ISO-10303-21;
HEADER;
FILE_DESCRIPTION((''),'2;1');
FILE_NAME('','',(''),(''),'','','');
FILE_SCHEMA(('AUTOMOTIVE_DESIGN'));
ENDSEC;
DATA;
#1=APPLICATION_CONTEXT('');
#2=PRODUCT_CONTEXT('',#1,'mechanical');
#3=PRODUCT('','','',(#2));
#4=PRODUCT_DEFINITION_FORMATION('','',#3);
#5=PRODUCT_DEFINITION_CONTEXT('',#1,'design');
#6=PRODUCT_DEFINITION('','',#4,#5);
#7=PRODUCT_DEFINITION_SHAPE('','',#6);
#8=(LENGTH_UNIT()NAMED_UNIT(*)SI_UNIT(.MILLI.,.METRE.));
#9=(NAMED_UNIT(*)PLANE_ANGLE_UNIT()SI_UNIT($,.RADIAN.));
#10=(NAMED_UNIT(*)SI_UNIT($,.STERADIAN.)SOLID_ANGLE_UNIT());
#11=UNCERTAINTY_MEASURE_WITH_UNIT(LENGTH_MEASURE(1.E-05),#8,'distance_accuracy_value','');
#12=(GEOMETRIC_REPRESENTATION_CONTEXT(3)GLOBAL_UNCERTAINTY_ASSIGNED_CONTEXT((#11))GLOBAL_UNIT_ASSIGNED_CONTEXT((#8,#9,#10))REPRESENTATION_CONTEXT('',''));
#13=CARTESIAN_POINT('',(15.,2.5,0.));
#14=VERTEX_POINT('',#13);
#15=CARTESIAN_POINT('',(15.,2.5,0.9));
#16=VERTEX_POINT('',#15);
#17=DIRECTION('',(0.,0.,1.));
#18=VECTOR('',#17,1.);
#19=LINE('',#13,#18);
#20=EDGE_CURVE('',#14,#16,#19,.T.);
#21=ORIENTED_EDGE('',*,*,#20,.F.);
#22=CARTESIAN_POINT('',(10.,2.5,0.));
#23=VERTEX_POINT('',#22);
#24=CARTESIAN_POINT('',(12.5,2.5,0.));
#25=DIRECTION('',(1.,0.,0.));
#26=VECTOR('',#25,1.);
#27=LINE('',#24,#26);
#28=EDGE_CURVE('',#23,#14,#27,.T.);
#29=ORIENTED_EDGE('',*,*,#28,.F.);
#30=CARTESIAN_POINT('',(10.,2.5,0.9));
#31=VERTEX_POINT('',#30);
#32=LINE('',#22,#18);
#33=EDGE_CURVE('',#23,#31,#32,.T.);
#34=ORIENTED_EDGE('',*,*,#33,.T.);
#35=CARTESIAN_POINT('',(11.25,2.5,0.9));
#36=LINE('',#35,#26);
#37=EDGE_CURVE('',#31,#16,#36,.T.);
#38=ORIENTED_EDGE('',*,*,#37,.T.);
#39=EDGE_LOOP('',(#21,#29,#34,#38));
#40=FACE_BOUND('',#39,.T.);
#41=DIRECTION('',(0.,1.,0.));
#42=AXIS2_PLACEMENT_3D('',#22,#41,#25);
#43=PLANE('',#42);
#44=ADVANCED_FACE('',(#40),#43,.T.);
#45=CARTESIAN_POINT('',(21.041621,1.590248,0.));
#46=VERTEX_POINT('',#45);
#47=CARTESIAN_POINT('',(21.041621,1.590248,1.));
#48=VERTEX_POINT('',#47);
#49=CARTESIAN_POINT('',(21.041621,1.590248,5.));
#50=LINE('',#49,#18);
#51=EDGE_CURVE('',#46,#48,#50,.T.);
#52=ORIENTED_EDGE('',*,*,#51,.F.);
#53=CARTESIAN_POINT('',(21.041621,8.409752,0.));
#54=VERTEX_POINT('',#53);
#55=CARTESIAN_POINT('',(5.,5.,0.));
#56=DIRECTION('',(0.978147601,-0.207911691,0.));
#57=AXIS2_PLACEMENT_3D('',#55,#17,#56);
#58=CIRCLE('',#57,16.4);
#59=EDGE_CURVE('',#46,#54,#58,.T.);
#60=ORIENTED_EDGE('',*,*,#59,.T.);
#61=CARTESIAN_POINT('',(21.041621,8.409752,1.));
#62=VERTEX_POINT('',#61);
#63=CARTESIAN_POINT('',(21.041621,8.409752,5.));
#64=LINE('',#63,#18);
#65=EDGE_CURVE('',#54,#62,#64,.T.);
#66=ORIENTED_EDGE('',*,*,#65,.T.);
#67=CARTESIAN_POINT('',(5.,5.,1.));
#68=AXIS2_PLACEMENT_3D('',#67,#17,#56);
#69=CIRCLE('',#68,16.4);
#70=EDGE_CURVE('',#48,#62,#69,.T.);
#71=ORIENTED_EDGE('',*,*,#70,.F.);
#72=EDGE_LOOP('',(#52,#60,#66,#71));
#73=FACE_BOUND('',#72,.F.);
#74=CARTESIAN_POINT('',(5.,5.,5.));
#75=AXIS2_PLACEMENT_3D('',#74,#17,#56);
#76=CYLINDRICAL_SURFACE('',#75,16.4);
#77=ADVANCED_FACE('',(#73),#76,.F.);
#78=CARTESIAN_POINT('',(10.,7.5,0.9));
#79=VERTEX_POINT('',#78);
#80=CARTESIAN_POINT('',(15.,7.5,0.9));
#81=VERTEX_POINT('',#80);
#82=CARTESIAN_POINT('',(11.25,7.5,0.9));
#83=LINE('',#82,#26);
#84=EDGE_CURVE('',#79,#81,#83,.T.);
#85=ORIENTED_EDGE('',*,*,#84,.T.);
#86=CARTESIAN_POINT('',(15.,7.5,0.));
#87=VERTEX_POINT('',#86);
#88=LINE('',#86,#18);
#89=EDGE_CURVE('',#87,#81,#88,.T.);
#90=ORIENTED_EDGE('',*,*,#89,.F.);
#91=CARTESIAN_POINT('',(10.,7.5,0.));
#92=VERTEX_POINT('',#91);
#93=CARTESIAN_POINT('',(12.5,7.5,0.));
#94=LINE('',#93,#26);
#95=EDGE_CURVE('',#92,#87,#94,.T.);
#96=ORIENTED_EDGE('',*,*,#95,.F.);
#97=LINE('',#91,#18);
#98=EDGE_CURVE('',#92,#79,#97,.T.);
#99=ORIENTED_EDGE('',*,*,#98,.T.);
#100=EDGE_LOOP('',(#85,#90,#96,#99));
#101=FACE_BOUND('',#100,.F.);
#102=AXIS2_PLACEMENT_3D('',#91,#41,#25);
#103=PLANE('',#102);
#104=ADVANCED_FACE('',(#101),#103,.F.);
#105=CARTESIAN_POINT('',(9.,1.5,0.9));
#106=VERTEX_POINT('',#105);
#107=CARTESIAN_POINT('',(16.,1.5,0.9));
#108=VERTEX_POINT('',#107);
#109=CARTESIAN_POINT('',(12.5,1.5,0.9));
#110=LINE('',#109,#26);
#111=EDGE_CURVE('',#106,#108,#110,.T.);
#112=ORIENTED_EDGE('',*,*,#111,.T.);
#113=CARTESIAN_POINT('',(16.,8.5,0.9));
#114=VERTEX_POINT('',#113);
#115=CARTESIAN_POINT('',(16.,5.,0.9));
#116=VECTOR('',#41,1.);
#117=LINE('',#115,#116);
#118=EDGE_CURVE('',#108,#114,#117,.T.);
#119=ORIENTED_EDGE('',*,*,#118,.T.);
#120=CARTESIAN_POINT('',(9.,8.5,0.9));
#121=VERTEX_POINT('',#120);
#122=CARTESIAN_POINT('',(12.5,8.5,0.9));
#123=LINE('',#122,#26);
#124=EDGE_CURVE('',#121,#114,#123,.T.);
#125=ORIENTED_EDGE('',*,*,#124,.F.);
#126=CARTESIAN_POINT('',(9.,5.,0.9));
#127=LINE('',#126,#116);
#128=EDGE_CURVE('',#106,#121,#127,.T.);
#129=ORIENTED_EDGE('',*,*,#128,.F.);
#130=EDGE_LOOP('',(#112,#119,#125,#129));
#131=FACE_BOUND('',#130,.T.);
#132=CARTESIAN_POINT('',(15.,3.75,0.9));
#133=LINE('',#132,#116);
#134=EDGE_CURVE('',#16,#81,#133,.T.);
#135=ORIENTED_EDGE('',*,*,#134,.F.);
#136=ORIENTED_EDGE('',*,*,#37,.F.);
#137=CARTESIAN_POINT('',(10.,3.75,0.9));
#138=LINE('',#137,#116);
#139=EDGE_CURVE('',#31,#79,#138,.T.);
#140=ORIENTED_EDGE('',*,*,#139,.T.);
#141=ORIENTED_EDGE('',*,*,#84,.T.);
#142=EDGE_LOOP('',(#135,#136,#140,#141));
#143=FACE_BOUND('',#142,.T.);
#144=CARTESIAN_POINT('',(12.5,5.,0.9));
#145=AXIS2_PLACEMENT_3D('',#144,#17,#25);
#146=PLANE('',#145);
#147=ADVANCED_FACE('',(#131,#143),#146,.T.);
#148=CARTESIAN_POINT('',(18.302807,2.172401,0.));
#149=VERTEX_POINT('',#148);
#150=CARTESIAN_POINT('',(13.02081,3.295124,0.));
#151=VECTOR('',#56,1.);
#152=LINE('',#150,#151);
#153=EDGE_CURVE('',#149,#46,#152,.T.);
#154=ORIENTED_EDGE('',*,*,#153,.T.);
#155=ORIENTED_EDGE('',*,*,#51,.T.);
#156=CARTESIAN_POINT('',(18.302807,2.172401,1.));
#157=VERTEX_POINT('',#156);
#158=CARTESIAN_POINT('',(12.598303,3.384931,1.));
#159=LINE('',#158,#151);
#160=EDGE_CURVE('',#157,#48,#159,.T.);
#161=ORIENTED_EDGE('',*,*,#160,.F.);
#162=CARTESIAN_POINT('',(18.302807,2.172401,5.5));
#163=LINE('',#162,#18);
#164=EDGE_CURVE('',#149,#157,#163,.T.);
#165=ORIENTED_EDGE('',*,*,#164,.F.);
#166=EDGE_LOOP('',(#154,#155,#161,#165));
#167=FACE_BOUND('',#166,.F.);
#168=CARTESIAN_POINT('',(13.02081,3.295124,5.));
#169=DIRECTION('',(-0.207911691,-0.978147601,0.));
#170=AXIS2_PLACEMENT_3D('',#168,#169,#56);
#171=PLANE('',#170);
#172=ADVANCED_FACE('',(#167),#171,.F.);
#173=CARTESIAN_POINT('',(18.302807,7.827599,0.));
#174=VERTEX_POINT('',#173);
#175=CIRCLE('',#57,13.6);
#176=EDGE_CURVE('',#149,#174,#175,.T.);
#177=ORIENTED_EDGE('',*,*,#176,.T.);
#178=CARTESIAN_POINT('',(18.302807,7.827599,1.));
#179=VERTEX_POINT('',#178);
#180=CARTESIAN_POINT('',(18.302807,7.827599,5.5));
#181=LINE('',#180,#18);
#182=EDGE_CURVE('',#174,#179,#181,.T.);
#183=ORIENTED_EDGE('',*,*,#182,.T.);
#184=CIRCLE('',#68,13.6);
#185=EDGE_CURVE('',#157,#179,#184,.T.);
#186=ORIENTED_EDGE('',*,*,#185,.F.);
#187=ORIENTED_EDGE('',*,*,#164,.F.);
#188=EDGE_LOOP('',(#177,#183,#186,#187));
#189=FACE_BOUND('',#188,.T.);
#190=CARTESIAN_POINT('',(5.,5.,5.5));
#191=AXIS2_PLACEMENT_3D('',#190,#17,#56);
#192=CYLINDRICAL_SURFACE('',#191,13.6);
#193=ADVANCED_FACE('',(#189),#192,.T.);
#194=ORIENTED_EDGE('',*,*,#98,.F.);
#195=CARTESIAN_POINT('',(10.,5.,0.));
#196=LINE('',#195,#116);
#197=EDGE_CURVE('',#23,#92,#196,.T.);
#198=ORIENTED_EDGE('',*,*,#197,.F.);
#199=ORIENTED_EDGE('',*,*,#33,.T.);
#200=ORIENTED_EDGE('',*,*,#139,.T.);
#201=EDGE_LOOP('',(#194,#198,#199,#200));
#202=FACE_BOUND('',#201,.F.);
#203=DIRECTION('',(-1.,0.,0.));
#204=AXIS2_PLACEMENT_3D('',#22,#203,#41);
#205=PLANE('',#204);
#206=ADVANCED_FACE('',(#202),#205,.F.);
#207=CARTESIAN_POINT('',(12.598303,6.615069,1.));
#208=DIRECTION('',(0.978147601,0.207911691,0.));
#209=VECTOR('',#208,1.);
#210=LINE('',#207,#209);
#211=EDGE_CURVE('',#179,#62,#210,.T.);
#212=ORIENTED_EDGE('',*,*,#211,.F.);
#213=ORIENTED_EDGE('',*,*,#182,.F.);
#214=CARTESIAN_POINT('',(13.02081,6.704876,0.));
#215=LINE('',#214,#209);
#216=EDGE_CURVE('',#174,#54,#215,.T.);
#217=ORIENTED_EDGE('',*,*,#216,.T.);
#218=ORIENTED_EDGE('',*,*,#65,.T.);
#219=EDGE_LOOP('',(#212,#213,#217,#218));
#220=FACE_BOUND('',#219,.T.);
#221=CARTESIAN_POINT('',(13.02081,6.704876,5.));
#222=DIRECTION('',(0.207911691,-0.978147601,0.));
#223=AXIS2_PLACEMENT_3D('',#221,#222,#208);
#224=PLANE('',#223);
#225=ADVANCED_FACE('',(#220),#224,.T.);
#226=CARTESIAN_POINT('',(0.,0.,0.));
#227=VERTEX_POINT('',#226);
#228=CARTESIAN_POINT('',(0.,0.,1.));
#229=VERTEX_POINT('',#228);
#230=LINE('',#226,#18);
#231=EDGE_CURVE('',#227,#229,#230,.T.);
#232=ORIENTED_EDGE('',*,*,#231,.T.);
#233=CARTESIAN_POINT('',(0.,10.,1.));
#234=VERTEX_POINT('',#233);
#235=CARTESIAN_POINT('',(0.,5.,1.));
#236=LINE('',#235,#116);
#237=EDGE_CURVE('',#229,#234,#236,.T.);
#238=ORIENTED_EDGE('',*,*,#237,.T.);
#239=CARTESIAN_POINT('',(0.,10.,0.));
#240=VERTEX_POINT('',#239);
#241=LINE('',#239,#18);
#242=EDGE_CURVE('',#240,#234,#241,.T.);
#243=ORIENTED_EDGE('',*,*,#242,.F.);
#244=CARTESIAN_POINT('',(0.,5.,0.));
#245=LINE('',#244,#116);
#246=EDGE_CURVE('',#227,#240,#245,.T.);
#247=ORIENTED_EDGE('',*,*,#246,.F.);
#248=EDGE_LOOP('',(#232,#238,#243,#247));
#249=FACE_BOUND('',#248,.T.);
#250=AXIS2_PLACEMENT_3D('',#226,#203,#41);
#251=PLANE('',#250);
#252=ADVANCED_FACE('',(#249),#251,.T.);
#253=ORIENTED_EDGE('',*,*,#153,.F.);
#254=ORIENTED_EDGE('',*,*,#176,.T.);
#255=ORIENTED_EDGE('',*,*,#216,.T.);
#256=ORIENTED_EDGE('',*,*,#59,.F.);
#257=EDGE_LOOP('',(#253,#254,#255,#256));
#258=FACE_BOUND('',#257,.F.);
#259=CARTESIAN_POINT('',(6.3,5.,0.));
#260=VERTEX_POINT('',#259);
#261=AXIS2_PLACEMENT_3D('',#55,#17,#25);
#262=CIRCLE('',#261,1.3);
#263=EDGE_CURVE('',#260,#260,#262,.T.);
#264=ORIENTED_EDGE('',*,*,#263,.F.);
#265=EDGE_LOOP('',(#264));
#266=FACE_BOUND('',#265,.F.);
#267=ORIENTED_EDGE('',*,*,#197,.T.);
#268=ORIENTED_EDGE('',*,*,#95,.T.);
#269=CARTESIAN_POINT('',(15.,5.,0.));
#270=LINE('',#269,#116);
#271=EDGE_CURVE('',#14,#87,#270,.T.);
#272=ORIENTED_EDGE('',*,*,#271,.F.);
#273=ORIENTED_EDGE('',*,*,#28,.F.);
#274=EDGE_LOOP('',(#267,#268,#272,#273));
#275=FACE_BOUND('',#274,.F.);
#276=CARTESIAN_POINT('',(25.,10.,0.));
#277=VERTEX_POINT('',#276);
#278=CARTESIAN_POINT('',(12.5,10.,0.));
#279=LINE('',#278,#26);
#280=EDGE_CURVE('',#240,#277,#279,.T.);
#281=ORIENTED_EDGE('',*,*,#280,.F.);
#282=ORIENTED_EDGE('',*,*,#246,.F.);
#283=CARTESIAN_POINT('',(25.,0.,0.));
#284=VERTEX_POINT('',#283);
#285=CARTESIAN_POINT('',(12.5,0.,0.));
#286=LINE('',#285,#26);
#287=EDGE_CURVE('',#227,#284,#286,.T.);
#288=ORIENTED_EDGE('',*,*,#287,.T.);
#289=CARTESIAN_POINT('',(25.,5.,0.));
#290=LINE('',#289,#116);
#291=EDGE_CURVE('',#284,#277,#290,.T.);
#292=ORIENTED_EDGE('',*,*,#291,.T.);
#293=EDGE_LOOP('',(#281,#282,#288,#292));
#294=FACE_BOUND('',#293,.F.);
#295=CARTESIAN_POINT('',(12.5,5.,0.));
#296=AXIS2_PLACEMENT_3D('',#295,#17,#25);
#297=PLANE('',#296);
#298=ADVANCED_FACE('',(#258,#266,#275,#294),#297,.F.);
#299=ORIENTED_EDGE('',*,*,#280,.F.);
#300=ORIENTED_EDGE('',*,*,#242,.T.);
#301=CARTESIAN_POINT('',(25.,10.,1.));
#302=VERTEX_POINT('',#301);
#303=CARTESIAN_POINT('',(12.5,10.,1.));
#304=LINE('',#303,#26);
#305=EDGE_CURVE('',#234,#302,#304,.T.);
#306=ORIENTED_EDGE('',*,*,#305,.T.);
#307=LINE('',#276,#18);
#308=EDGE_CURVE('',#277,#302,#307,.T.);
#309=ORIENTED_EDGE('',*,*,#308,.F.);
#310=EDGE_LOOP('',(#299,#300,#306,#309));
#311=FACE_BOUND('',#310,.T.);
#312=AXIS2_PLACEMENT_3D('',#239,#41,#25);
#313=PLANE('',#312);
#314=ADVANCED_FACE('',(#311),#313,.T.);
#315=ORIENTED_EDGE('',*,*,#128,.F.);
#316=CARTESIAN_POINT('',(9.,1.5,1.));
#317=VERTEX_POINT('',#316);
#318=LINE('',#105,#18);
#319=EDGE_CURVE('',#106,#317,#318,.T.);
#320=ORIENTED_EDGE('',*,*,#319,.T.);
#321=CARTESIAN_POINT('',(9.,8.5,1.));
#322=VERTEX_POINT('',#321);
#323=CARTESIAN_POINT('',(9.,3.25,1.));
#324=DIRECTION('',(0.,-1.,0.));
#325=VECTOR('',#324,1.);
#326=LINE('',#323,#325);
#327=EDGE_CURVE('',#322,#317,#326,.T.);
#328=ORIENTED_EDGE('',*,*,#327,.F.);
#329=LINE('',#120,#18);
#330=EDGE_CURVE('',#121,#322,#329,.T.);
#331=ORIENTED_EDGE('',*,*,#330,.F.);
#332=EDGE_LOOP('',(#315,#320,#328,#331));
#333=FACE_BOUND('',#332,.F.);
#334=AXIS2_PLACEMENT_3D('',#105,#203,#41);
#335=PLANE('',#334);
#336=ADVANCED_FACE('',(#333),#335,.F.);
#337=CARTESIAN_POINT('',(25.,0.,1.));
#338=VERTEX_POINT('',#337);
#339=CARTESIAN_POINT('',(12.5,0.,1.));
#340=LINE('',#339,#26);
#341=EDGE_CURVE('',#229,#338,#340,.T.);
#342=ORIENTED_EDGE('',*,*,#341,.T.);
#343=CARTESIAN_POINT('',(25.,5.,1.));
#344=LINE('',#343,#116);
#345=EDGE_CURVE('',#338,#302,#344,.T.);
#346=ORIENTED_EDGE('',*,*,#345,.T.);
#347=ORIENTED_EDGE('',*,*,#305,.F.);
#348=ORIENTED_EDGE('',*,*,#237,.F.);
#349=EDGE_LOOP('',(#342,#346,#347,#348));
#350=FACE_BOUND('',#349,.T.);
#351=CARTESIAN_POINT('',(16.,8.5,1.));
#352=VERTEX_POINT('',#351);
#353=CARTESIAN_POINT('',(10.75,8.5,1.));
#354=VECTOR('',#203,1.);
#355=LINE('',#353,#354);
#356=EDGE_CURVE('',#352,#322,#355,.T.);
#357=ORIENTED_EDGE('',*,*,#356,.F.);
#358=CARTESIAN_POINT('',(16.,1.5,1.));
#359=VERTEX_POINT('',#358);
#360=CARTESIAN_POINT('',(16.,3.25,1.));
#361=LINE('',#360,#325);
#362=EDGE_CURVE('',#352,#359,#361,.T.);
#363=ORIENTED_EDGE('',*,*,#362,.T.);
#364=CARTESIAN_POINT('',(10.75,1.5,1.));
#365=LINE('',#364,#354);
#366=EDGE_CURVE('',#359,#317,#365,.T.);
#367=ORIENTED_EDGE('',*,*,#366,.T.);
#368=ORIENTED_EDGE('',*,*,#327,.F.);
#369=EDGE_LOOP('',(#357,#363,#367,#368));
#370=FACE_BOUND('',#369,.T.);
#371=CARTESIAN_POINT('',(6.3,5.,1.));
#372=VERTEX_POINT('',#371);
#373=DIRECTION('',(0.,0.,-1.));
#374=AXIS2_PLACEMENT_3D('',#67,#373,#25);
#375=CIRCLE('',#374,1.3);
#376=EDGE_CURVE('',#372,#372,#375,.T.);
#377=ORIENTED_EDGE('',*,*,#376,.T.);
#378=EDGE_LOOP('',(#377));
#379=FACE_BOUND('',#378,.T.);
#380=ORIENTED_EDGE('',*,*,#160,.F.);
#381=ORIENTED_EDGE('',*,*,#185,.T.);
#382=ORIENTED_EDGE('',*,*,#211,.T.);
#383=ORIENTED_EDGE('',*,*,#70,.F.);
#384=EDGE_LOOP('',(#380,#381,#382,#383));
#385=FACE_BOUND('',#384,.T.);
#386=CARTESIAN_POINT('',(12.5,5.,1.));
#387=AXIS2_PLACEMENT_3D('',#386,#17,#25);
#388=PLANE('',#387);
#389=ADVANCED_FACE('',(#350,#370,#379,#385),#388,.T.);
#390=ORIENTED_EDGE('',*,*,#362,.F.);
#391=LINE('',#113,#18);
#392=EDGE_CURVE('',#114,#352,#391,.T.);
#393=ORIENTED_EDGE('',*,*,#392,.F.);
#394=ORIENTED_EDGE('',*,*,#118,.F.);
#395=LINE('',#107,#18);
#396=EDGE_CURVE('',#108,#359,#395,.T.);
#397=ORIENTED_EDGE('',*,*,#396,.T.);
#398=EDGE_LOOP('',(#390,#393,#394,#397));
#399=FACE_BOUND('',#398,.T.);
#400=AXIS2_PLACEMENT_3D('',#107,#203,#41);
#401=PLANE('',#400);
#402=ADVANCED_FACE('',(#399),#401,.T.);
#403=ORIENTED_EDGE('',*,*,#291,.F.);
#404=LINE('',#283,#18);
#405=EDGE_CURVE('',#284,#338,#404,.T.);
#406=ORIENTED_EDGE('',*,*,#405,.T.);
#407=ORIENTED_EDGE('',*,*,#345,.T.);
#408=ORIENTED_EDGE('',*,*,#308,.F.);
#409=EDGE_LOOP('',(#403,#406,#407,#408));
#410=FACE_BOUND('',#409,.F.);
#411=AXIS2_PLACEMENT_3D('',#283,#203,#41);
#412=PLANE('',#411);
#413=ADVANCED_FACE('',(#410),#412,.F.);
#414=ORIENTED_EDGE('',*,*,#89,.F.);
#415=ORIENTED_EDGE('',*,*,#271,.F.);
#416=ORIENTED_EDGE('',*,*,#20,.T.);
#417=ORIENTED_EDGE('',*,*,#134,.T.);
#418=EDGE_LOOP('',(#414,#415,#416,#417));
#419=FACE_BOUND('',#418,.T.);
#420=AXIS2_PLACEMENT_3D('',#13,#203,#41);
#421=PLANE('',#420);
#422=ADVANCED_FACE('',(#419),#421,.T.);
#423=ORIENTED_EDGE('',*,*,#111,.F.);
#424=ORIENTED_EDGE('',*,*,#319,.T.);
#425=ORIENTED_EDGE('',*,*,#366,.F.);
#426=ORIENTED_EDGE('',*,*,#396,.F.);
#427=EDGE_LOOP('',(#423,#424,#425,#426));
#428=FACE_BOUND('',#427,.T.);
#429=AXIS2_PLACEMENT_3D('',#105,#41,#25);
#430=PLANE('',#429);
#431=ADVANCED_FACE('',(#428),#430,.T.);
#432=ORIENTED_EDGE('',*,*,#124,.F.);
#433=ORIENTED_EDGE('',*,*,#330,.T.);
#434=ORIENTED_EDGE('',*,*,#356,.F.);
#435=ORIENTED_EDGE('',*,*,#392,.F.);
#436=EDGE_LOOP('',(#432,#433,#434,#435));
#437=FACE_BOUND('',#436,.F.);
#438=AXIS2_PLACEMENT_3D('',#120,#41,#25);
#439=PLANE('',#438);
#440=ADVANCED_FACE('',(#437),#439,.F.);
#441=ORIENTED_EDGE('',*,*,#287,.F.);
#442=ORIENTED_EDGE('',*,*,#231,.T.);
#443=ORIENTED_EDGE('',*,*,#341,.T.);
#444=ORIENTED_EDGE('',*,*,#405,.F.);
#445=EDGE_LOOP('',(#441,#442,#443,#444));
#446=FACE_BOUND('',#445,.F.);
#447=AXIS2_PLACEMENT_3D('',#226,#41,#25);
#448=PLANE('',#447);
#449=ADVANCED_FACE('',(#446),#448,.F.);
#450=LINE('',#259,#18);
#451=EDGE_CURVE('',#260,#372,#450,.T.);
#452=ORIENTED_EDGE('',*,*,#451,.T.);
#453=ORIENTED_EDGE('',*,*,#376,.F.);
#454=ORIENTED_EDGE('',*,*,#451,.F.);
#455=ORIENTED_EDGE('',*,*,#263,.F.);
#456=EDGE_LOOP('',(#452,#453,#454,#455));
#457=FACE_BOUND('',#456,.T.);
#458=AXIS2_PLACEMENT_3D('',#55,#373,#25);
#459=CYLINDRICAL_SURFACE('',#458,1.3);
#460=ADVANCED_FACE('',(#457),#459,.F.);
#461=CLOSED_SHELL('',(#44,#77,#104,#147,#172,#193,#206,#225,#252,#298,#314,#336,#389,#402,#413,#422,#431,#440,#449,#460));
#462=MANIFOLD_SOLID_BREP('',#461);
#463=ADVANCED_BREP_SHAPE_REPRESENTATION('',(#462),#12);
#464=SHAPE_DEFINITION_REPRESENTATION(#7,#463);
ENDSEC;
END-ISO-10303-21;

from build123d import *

# Parameters (mm, degrees)
CYLINDER002_W               = 13.6
CYLINDER002_H               = 11
CYLINDER002_ANGLE           = 24
CYLINDER002_PLACEMENT_ANGLE = -12
CYLINDER001_W               = 16.4
CYLINDER001_H               = 10
CYLINDER001_ANGLE           = 24
CYLINDER001_PLACEMENT_ANGLE = -12
CYLINDER_R                  = 1.3
CYLINDER_DEPTH              = 10
BOX002_W                    = 7
BOX002_H                    = 7
BOX002_DEPTH                = 0.5
BOX001_W                    = 5
BOX001_H                    = 5
BOX001_DEPTH                = 2
BOX_W                       = 25
BOX_H                       = 10
BOX_DEPTH                   = 1


with BuildPart() as zylinder002:
    # Cylinder002 → Cylinder002 (revolve)
    with BuildSketch(Plane.XZ):
        with Locations((6.8, 5.5)):
            Rectangle(CYLINDER002_W, CYLINDER002_H)
    revolve(axis=Axis((0, 0, 0), (0, 0, 1)), revolution_arc=CYLINDER002_ANGLE)


with BuildPart() as zylinder002_1:
    # Cylinder002 placement: moved
    add(zylinder002.part.moved(Location((3, 5, 0))).rotate(Axis((3, 5, 0), (0, 0, 1)), CYLINDER002_PLACEMENT_ANGLE))


with BuildPart() as cut:
    # Cylinder001 → Cylinder001 (revolve)
    with BuildSketch(Plane.XZ):
        with Locations((8.2, 5)):
            Rectangle(CYLINDER001_W, CYLINDER001_H)
    revolve(axis=Axis((0, 0, 0), (0, 0, 1)), revolution_arc=CYLINDER001_ANGLE)


with BuildPart() as cut_1:
    # Cylinder001 placement: moved
    add(cut.part.moved(Location((3, 5, 0))).rotate(Axis((3, 5, 0), (0, 0, 1)), CYLINDER001_PLACEMENT_ANGLE))

    # Cut: cut Zylinder002
    add(zylinder002_1.part, mode=Mode.SUBTRACT)


with BuildPart() as cut_2:
    # Cut placement: moved
    add(cut_1.part.moved(Location((2, 0, 0))))


with BuildPart() as zylinder:
    # Cylinder → Cylinder (new body)
    with BuildSketch(Plane(origin=(5, 5, 0), x_dir=(1, 0, 0), z_dir=(0, 0, 1))):
        Circle(CYLINDER_R)
    extrude(amount=CYLINDER_DEPTH)


with BuildPart() as w_rfel002:
    # Box002 → Box002 (new body)
    with BuildSketch(Plane(origin=(9, 1.5, 0.9), x_dir=(1, 0, 0), z_dir=(0, 0, 1))):
        with Locations((3.5, 3.5)):
            Rectangle(BOX002_W, BOX002_H)
    extrude(amount=BOX002_DEPTH)


with BuildPart() as w_rfel001:
    # Box001 → Box001 (new body)
    with BuildSketch(Plane(origin=(10, 2.5, 0), x_dir=(1, 0, 0), z_dir=(0, 0, 1))):
        with Locations((2.5, 2.5)):
            Rectangle(BOX001_W, BOX001_H)
    extrude(amount=BOX001_DEPTH)


with BuildPart() as cut004:
    # Box → Box (new body)
    with BuildSketch(Plane.XY):
        with Locations((12.5, 5)):
            Rectangle(BOX_W, BOX_H)
    extrude(amount=BOX_DEPTH)

    # Cut001: cut Würfel001
    add(w_rfel001.part, mode=Mode.SUBTRACT)

    # Cut002: cut Würfel002
    add(w_rfel002.part, mode=Mode.SUBTRACT)

    # Cut003: cut Zylinder
    add(zylinder.part, mode=Mode.SUBTRACT)

    # Cut004: cut Cut
    add(cut_2.part, mode=Mode.SUBTRACT)


solid = cut004.part
